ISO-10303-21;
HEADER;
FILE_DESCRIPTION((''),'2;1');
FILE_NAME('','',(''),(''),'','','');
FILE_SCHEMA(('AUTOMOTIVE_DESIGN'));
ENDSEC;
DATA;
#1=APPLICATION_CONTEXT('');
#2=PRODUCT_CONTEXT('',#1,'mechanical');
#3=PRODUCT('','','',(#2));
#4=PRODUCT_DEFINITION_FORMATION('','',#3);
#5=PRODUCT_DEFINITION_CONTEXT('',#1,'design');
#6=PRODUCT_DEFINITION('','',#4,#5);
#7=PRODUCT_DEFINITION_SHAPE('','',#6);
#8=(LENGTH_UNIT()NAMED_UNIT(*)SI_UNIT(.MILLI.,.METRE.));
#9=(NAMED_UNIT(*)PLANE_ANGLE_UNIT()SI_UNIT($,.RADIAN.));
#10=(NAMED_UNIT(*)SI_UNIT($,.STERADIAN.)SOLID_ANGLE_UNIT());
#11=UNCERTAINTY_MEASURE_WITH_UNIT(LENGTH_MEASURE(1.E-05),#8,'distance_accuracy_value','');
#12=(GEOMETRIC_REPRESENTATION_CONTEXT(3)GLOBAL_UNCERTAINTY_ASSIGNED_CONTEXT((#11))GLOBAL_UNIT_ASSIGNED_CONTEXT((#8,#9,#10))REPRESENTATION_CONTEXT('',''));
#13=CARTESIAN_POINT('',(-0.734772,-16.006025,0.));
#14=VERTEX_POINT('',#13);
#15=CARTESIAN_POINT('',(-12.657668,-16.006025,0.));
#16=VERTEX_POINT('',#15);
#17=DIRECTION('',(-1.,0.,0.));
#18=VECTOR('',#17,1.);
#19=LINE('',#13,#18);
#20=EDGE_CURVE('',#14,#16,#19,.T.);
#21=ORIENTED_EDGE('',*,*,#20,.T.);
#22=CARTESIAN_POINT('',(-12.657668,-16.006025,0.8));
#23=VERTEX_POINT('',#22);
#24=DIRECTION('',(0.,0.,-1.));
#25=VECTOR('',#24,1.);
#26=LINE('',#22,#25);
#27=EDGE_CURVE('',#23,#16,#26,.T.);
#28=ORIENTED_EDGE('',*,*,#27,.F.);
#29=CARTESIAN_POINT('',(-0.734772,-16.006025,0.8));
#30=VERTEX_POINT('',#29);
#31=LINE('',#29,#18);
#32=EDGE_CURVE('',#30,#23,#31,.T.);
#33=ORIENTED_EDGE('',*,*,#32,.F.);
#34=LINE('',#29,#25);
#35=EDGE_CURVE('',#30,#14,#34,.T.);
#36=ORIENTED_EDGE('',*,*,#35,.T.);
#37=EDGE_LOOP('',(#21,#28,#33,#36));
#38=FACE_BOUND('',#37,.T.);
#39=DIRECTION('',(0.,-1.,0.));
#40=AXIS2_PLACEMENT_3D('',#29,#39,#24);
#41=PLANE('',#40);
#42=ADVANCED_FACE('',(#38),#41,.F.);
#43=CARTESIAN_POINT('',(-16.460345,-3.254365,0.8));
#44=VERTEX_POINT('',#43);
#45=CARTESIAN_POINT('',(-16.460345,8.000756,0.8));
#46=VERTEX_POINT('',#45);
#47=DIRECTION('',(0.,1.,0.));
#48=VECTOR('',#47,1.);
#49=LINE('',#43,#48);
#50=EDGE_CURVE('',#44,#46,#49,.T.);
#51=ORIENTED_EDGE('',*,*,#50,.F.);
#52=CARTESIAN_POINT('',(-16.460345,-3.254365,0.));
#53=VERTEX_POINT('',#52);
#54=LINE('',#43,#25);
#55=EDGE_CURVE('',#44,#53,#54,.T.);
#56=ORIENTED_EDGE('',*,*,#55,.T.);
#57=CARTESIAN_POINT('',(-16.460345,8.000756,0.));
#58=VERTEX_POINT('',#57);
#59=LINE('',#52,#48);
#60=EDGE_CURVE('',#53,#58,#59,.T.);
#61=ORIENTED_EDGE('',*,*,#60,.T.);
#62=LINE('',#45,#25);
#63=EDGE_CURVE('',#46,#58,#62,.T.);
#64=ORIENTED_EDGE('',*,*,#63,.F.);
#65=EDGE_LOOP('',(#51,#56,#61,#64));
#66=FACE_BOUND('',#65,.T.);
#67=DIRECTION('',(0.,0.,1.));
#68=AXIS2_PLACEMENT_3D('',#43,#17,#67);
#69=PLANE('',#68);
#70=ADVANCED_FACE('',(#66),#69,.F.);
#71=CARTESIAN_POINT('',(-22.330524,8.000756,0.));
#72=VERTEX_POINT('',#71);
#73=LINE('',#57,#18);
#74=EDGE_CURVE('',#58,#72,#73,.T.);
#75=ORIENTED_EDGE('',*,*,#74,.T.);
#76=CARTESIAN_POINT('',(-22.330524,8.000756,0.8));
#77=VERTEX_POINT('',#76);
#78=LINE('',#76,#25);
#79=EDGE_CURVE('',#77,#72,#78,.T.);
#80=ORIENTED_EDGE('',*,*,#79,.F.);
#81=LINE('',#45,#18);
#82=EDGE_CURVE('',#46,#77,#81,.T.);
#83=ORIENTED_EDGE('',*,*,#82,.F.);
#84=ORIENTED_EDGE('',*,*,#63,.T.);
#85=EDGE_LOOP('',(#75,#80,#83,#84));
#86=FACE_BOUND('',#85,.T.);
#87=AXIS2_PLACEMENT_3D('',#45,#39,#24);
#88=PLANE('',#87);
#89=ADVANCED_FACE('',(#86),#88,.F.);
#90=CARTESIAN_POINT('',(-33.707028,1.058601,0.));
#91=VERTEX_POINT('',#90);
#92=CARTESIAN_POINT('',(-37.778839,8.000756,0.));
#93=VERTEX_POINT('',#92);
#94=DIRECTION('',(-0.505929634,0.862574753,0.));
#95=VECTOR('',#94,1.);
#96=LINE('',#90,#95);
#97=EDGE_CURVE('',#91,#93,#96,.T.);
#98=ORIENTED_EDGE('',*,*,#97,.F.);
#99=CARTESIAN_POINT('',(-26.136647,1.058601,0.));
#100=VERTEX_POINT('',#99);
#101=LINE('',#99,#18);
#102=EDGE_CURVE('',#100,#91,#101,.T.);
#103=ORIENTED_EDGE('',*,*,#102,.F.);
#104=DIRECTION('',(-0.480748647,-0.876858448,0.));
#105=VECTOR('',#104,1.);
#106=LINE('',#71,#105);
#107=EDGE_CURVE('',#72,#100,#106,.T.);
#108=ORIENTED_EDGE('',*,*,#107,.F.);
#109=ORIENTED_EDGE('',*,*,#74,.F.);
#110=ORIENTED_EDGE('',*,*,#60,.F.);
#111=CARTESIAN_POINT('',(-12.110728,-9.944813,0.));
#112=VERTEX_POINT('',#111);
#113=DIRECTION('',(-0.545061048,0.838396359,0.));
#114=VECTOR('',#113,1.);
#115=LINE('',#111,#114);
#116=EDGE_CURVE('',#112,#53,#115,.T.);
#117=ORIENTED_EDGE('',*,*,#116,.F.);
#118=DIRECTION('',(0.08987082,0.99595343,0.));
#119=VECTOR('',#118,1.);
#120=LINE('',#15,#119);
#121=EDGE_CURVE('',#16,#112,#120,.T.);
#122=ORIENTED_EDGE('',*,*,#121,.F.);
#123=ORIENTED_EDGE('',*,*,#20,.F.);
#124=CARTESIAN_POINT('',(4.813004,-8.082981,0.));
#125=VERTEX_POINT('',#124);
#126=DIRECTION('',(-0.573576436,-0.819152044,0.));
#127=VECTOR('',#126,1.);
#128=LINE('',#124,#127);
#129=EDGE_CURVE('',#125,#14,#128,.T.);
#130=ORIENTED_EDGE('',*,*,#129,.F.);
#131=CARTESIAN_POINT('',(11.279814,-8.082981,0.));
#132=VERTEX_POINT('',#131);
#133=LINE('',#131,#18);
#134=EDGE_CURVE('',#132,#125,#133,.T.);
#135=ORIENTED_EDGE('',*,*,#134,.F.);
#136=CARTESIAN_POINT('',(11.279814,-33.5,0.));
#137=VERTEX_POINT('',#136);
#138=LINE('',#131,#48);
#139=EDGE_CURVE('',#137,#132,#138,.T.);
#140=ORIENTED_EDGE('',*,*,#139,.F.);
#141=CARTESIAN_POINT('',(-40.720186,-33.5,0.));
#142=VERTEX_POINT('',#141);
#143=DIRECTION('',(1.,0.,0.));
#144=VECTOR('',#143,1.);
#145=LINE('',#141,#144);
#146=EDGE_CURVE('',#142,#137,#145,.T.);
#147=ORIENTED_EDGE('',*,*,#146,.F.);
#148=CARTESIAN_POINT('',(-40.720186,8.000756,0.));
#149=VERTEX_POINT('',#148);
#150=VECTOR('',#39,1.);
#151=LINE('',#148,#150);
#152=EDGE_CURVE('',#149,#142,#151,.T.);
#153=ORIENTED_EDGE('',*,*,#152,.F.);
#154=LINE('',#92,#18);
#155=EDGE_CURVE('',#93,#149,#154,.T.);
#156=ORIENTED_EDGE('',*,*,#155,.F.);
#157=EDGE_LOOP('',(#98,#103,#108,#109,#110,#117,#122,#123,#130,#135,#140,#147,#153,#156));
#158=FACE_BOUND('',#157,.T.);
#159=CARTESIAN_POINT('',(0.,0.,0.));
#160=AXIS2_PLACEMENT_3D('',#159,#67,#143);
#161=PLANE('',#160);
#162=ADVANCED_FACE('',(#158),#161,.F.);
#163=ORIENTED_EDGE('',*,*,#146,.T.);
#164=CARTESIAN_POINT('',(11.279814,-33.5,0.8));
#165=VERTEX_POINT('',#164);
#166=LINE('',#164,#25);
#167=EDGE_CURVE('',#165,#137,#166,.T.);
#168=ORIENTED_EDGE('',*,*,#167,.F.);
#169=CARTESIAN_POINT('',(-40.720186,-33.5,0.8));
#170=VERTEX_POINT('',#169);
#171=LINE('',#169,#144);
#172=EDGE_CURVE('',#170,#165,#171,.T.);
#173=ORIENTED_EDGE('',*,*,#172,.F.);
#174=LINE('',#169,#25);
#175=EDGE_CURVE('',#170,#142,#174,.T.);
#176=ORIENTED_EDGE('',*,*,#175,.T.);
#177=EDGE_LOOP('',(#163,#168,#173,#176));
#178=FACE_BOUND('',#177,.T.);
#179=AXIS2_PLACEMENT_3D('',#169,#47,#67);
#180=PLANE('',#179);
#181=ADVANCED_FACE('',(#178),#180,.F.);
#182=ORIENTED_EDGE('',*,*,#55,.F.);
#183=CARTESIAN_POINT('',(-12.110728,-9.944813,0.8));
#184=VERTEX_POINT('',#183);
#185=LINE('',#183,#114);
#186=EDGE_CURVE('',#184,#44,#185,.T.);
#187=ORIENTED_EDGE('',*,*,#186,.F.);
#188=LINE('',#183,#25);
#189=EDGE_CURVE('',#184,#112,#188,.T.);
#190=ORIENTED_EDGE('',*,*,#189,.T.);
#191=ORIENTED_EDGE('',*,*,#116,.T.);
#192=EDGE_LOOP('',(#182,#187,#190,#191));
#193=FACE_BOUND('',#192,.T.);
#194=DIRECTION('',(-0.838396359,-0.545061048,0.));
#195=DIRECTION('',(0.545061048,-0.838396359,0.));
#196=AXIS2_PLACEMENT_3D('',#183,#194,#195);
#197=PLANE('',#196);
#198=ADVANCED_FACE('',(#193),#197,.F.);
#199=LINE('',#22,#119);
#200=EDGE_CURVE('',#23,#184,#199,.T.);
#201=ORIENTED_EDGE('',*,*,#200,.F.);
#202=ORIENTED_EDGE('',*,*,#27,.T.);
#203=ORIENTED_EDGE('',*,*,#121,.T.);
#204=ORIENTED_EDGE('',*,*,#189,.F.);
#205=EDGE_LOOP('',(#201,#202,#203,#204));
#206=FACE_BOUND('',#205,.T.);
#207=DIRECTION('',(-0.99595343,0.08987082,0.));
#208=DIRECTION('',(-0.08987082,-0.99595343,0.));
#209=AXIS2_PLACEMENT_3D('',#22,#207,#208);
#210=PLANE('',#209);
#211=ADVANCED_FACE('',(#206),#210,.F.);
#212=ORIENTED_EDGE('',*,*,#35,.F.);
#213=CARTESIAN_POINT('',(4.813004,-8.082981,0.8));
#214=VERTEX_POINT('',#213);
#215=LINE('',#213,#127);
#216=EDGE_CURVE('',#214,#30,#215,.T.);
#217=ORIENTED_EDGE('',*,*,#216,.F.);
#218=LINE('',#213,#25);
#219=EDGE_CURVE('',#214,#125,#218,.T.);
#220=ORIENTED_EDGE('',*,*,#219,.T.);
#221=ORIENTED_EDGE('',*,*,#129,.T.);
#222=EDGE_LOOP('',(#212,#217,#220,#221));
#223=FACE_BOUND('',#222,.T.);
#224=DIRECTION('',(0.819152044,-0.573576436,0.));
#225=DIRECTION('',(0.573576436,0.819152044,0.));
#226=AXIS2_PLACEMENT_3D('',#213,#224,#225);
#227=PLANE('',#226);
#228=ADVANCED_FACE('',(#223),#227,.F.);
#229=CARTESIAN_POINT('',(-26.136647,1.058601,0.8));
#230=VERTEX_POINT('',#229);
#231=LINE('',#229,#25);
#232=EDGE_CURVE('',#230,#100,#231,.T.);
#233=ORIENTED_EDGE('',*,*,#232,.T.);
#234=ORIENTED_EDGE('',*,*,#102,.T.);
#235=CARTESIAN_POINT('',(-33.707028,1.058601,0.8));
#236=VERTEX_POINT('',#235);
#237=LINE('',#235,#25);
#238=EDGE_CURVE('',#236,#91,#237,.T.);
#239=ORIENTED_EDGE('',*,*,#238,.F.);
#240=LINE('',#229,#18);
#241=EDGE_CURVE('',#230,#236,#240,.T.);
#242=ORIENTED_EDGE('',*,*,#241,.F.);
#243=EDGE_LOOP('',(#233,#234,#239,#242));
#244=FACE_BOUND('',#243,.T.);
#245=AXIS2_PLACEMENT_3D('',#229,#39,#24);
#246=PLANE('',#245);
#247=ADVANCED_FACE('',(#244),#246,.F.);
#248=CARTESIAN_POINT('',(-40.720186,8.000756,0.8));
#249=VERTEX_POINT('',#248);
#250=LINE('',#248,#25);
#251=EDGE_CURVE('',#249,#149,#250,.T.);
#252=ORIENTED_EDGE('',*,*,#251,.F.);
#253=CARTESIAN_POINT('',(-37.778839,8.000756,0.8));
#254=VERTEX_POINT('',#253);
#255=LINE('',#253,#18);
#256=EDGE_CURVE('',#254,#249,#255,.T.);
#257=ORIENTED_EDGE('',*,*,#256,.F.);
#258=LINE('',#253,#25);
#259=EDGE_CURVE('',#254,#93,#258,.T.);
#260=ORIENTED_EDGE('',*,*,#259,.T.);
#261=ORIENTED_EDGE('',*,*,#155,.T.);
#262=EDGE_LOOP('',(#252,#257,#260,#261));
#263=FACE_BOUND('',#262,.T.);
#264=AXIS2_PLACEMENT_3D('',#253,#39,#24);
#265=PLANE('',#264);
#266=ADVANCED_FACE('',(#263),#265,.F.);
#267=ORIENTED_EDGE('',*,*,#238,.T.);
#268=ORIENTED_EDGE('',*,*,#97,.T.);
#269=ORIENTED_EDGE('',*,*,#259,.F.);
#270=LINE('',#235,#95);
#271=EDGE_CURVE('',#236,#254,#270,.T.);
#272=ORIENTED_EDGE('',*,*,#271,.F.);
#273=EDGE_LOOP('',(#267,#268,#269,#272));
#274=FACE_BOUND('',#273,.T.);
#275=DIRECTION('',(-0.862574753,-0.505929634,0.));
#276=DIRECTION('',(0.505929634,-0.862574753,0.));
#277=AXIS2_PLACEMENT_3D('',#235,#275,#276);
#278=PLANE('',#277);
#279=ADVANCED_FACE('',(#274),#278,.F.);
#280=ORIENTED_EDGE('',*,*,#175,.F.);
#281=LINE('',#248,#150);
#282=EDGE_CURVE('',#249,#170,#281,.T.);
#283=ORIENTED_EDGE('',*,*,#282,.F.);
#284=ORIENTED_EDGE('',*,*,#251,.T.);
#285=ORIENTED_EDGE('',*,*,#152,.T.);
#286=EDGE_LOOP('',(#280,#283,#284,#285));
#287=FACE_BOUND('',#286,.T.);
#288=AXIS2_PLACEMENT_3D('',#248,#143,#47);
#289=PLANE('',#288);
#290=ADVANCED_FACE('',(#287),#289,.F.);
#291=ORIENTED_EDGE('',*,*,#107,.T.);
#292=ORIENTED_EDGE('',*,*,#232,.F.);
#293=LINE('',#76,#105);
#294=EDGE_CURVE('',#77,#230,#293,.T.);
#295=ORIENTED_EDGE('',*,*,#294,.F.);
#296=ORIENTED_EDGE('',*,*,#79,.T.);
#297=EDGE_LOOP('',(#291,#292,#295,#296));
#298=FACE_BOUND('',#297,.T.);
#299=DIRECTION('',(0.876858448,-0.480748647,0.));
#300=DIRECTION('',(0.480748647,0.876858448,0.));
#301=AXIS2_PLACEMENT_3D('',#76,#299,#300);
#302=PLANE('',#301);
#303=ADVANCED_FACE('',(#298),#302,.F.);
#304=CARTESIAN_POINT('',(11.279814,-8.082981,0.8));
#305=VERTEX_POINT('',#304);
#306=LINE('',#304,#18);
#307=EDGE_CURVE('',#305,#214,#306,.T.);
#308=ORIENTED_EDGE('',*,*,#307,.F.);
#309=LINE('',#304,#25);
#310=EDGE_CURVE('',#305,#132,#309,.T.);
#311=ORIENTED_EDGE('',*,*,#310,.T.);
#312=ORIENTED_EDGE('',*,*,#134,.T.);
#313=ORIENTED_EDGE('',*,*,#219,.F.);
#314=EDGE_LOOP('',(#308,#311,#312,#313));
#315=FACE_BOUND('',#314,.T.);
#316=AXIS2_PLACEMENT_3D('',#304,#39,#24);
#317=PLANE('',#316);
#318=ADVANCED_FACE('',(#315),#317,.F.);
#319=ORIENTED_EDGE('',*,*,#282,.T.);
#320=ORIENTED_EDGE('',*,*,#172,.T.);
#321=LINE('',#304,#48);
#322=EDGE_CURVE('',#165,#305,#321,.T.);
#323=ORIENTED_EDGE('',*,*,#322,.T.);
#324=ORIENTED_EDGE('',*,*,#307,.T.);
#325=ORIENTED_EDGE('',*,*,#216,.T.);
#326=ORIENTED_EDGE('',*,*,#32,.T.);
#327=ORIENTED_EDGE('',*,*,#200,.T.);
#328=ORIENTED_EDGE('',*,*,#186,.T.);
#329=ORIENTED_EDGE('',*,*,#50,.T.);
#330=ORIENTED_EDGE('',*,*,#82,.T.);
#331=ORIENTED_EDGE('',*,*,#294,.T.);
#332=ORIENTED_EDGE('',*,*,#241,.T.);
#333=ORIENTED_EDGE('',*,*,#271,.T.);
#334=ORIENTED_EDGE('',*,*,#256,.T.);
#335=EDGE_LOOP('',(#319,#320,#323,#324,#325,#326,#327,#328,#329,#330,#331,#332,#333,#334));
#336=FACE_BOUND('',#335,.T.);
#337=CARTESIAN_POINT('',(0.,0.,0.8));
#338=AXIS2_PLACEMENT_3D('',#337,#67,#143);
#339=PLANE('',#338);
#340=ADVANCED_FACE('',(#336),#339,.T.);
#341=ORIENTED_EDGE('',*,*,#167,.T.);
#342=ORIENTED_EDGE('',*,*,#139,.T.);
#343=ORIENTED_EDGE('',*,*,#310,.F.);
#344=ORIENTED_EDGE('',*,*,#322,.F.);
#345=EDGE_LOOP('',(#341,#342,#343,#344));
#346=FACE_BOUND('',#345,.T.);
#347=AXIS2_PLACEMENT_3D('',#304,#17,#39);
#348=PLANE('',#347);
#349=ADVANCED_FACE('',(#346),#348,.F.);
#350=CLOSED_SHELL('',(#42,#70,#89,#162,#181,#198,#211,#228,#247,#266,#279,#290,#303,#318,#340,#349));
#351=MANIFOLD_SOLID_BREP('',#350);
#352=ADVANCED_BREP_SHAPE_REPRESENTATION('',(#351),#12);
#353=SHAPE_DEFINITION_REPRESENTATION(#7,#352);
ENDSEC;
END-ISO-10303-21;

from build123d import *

# Parameters (mm, degrees)
BOSS_EXTRUDE1_DEPTH = 0.8


with BuildPart() as part:
    # Sketch1 → Boss-Extrude1 (new body)
    with BuildSketch(Plane.XY):
        Polygon((11.279813794, -8.082980903), (4.81300376, -8.082980903), (-0.734771552, -16.006025157), (-12.657667734, -16.006025157), (-12.110728396, -9.944812956), (-16.460344929, -3.254364839), (-16.460344929, 8.000755607), (-22.330523841, 8.000755607), (-26.136647301, 1.058600844), (-33.707027573, 1.058600844), (-37.778839094, 8.000755607), (-40.720186206, 8.000755607), (-40.720186206, -33.5), (11.279813794, -33.5), align=None)
    extrude(amount=BOSS_EXTRUDE1_DEPTH)


solid = part.part
